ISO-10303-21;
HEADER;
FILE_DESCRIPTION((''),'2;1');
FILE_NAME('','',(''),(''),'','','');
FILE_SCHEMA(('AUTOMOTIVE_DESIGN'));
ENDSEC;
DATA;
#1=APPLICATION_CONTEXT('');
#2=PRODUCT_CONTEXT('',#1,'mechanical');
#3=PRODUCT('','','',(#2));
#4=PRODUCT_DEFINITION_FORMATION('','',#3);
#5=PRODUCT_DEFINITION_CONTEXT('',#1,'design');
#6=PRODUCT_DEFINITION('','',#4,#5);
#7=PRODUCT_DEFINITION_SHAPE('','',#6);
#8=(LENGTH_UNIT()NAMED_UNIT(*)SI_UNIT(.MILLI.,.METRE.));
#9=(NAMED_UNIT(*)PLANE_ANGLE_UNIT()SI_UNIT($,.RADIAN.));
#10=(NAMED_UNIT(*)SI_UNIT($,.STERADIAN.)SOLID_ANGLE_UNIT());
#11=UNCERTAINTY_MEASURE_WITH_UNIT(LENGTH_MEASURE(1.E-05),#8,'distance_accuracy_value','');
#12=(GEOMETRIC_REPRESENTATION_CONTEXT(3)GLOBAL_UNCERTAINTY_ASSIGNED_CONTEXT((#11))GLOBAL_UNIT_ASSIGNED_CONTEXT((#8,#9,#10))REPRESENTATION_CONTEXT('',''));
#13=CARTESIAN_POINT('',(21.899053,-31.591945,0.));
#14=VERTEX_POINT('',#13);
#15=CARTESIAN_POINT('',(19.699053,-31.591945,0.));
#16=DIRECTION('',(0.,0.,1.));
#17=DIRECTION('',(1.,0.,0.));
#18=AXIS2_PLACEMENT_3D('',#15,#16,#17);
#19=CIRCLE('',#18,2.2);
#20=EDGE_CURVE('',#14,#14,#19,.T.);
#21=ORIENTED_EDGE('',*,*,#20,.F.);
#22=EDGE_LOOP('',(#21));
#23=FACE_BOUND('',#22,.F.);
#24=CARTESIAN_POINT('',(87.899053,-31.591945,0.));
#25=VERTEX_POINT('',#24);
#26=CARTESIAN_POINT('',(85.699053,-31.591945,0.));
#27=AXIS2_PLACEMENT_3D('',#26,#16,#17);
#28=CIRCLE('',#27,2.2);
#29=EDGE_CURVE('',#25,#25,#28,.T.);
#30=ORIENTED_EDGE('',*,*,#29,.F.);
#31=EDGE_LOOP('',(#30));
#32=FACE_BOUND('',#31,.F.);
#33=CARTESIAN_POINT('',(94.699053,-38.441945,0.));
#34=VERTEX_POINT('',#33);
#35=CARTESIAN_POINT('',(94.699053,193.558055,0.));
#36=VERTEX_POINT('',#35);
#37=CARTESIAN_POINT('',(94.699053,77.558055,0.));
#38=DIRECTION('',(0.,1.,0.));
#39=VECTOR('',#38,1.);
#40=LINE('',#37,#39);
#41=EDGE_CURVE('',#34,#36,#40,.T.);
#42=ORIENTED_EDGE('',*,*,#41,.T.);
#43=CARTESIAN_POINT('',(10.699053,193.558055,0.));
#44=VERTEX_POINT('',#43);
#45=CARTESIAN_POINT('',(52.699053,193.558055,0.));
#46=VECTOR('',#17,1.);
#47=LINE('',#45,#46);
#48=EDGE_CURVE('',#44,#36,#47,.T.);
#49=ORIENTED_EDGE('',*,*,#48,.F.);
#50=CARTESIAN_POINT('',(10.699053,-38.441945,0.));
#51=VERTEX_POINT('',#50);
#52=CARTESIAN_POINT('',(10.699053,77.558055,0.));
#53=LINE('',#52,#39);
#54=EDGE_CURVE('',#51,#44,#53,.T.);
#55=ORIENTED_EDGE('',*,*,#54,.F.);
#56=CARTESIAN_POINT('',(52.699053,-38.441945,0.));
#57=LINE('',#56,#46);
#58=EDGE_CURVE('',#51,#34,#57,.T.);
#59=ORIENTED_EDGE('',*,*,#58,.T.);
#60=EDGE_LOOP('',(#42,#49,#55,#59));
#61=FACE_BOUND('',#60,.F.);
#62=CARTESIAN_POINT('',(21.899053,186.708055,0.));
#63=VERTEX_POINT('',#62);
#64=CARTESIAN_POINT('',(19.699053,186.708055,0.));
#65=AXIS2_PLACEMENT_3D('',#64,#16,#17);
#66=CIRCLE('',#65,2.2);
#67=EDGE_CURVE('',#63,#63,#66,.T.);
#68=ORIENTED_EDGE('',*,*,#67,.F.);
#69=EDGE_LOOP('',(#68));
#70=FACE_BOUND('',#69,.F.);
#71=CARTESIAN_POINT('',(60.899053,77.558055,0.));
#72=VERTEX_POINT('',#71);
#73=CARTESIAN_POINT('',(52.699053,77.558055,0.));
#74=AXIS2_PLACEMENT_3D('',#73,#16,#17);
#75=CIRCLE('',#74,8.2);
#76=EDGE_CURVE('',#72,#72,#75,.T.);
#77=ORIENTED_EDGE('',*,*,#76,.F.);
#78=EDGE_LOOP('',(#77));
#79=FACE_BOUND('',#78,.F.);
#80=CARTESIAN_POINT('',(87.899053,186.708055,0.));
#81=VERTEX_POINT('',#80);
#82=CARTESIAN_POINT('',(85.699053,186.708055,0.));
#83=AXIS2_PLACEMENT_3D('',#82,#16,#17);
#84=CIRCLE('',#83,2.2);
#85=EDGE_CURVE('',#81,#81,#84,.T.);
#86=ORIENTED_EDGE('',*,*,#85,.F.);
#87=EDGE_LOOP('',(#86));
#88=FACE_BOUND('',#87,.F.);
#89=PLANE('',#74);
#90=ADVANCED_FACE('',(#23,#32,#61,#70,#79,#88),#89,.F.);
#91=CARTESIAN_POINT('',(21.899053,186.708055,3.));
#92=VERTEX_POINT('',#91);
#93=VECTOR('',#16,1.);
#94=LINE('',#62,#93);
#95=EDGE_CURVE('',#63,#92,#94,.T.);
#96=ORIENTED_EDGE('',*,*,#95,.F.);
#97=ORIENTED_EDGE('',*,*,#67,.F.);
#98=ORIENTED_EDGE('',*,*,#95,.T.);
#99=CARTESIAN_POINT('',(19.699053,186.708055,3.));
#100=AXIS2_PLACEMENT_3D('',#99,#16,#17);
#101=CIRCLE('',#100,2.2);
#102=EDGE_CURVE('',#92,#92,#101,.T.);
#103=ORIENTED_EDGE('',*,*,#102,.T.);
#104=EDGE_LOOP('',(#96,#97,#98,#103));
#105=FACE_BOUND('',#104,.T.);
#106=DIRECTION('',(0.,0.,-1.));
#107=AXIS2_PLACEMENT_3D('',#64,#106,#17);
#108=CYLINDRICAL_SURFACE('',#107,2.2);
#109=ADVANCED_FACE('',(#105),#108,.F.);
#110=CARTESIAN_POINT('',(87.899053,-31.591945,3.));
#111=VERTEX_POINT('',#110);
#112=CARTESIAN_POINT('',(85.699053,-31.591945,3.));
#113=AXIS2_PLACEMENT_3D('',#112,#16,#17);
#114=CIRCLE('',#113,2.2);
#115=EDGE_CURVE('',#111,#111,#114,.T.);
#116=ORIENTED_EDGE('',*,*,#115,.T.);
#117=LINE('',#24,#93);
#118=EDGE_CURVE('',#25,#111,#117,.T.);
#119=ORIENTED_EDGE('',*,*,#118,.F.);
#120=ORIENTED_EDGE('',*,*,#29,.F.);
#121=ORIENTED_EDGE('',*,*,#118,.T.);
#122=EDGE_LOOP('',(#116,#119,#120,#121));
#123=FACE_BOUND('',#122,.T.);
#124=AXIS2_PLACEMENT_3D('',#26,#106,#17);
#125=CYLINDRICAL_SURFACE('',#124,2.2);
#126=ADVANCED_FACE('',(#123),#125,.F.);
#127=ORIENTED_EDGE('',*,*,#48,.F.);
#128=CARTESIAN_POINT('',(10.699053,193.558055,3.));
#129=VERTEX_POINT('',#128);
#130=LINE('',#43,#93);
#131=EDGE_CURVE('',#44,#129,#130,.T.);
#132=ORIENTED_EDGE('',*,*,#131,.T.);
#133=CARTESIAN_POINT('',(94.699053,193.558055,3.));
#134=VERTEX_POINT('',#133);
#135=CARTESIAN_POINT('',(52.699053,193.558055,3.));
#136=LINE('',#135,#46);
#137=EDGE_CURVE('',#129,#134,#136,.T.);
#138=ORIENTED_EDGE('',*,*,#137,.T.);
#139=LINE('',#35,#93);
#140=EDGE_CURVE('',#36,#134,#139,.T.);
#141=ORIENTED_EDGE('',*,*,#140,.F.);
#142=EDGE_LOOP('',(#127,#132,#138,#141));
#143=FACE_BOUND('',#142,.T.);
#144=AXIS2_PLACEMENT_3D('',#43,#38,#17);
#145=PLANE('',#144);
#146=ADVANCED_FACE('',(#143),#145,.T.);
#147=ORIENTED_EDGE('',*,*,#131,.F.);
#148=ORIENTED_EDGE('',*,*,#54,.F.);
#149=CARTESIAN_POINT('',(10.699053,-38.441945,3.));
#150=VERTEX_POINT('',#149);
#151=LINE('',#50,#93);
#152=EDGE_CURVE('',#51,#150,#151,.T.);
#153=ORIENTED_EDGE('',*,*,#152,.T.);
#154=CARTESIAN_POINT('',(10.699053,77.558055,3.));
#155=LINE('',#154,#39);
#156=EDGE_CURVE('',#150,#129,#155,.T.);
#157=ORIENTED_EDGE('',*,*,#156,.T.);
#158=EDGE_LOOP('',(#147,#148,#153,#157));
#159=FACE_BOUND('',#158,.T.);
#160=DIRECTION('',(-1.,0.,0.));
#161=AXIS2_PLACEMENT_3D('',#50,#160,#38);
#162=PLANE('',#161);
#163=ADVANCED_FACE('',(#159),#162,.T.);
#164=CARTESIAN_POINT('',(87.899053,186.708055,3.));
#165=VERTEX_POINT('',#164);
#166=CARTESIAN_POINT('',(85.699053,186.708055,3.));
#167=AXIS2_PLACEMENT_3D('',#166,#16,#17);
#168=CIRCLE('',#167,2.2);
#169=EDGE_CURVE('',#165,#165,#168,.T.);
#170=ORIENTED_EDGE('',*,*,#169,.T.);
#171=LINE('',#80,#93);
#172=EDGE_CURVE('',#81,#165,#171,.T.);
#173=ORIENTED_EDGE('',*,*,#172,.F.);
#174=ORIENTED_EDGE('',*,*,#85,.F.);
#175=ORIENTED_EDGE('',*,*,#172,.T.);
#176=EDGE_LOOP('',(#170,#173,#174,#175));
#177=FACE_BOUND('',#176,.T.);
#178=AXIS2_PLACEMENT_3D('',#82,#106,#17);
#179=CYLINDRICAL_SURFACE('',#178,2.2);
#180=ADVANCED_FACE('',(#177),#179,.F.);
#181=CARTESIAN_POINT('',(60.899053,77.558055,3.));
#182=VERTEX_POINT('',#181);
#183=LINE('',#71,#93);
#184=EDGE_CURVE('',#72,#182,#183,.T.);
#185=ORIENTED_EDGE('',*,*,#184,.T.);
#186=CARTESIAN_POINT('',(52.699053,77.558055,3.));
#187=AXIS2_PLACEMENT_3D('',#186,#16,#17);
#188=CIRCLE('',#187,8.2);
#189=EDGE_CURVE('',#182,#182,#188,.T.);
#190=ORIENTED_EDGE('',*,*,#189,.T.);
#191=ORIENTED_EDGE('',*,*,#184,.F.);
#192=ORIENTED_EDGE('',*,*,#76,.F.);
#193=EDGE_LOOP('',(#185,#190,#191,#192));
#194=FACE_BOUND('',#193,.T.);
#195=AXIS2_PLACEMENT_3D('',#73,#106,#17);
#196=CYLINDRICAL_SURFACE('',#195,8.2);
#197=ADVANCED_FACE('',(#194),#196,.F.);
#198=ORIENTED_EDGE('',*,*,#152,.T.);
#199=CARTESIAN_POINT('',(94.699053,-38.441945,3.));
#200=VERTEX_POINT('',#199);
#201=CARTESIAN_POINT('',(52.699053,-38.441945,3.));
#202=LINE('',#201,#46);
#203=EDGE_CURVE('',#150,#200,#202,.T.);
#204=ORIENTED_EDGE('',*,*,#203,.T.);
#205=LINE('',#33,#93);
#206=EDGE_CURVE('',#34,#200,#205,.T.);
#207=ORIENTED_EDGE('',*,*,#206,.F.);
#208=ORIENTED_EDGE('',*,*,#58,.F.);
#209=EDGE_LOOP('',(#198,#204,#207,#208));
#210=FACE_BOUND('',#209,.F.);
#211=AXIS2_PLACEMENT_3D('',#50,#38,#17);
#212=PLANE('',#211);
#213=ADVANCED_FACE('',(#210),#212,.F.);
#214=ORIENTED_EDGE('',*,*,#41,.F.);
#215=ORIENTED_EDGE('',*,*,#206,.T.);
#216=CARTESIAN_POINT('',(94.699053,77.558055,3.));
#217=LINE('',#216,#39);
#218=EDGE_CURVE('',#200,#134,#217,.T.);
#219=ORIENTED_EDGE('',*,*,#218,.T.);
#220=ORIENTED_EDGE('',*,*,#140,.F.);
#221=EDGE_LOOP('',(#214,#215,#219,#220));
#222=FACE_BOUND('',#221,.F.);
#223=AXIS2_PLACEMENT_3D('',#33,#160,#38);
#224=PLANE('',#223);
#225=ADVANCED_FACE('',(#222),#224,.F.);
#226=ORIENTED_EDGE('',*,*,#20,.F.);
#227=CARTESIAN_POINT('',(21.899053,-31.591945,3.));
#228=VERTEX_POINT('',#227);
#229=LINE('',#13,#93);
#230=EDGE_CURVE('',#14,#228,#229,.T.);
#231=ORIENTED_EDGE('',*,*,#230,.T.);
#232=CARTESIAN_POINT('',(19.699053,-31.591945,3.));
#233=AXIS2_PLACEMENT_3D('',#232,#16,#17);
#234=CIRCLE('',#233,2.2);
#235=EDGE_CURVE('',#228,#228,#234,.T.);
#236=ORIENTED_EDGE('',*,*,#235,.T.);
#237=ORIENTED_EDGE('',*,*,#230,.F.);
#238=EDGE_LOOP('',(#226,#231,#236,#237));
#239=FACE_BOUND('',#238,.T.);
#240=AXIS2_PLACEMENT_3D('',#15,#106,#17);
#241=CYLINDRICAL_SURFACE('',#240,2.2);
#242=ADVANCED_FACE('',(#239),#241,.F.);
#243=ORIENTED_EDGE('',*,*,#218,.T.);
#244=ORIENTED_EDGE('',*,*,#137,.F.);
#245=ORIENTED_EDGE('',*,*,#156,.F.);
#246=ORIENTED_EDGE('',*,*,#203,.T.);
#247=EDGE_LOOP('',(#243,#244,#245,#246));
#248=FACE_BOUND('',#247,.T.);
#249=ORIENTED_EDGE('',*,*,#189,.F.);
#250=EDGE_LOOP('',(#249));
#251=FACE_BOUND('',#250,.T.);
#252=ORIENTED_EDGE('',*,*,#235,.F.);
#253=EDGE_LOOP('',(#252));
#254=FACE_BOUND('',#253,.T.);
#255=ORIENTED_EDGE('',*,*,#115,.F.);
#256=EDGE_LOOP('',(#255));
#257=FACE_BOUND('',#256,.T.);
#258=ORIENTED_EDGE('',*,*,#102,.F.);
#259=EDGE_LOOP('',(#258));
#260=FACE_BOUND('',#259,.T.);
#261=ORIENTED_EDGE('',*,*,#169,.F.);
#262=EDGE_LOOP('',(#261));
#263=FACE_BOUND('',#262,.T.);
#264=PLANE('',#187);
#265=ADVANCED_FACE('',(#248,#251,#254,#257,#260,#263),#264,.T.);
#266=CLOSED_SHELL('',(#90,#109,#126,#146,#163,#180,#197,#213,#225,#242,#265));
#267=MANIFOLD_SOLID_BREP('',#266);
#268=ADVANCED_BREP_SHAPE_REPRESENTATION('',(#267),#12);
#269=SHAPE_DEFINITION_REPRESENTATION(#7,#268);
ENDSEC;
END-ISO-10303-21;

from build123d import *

# Parameters (mm, degrees)
F0_W     = 84
F0_H     = 232
F0_R     = 2.2
F0_R_2   = 8.2
F1_DEPTH = 3


with BuildPart() as f1:
    # F0 (on Top) → F1 (new body)
    with BuildSketch(Plane.XY):
        with Locations((52.699053, 77.558055)):
            Rectangle(F0_W, F0_H)
        with Locations((19.699053, -31.591945)):
            Circle(F0_R, mode=Mode.SUBTRACT)
        with Locations((85.699053, -31.591945)):
            Circle(F0_R, mode=Mode.SUBTRACT)
        with Locations((52.699053, 77.558055)):
            Circle(F0_R_2, mode=Mode.SUBTRACT)
        with Locations((19.699053, 186.708055)):
            Circle(F0_R, mode=Mode.SUBTRACT)
        with Locations((85.699053, 186.708055)):
            Circle(F0_R, mode=Mode.SUBTRACT)
    extrude(amount=F1_DEPTH)


solid = f1.part
